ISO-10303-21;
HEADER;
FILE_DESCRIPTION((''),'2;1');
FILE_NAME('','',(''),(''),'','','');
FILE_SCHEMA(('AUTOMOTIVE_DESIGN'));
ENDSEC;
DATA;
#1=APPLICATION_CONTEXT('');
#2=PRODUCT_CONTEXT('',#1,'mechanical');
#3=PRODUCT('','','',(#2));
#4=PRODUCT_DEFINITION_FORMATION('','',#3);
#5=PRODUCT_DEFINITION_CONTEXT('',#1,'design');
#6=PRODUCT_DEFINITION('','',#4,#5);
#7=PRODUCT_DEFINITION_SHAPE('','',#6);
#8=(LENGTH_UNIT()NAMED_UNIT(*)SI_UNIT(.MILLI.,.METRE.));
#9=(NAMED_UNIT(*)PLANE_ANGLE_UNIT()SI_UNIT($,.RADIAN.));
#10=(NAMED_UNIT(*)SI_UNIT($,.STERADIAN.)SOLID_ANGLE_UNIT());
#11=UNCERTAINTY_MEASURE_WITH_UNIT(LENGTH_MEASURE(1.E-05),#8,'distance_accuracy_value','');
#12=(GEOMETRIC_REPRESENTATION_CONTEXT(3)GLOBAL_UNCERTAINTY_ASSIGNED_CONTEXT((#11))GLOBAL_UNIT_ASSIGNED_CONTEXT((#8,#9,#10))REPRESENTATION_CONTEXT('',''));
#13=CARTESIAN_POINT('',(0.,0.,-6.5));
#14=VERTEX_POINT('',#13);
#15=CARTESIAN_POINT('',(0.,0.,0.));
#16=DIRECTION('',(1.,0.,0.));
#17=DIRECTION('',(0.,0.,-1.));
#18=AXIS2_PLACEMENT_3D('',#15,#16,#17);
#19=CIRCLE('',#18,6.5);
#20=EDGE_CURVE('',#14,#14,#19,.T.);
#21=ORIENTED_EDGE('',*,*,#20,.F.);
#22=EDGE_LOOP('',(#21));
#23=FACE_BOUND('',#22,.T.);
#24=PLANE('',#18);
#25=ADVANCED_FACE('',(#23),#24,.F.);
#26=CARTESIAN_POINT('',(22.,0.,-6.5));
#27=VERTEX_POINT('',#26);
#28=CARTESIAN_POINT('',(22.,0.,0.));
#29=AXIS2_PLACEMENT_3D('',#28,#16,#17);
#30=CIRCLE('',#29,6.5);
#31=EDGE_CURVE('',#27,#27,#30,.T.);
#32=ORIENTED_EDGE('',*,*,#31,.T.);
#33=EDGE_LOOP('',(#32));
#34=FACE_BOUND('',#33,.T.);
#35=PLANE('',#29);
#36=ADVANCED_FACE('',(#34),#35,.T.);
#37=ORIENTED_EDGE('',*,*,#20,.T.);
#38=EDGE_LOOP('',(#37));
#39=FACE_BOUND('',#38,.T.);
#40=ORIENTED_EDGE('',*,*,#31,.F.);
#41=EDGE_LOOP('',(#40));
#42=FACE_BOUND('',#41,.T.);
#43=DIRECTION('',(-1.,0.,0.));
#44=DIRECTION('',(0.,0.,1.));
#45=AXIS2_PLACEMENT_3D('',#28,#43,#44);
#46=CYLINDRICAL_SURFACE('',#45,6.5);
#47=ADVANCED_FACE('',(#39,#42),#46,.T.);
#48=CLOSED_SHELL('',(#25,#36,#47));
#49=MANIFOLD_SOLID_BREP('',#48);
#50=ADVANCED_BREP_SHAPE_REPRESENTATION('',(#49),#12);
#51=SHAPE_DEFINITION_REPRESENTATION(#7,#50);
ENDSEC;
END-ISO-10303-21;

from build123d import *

# Parameters (mm, degrees)
SKETCH1_R           = 6.5
BOSS_EXTRUDE1_DEPTH = 22


with BuildPart() as part:
    # Sketch1 → Boss-Extrude1 (new body)
    with BuildSketch(Plane.YZ):
        with Locations(Location((0, 0, 0), (0, 0, 270))):
            Circle(SKETCH1_R)
    extrude(amount=BOSS_EXTRUDE1_DEPTH)


solid = part.part
